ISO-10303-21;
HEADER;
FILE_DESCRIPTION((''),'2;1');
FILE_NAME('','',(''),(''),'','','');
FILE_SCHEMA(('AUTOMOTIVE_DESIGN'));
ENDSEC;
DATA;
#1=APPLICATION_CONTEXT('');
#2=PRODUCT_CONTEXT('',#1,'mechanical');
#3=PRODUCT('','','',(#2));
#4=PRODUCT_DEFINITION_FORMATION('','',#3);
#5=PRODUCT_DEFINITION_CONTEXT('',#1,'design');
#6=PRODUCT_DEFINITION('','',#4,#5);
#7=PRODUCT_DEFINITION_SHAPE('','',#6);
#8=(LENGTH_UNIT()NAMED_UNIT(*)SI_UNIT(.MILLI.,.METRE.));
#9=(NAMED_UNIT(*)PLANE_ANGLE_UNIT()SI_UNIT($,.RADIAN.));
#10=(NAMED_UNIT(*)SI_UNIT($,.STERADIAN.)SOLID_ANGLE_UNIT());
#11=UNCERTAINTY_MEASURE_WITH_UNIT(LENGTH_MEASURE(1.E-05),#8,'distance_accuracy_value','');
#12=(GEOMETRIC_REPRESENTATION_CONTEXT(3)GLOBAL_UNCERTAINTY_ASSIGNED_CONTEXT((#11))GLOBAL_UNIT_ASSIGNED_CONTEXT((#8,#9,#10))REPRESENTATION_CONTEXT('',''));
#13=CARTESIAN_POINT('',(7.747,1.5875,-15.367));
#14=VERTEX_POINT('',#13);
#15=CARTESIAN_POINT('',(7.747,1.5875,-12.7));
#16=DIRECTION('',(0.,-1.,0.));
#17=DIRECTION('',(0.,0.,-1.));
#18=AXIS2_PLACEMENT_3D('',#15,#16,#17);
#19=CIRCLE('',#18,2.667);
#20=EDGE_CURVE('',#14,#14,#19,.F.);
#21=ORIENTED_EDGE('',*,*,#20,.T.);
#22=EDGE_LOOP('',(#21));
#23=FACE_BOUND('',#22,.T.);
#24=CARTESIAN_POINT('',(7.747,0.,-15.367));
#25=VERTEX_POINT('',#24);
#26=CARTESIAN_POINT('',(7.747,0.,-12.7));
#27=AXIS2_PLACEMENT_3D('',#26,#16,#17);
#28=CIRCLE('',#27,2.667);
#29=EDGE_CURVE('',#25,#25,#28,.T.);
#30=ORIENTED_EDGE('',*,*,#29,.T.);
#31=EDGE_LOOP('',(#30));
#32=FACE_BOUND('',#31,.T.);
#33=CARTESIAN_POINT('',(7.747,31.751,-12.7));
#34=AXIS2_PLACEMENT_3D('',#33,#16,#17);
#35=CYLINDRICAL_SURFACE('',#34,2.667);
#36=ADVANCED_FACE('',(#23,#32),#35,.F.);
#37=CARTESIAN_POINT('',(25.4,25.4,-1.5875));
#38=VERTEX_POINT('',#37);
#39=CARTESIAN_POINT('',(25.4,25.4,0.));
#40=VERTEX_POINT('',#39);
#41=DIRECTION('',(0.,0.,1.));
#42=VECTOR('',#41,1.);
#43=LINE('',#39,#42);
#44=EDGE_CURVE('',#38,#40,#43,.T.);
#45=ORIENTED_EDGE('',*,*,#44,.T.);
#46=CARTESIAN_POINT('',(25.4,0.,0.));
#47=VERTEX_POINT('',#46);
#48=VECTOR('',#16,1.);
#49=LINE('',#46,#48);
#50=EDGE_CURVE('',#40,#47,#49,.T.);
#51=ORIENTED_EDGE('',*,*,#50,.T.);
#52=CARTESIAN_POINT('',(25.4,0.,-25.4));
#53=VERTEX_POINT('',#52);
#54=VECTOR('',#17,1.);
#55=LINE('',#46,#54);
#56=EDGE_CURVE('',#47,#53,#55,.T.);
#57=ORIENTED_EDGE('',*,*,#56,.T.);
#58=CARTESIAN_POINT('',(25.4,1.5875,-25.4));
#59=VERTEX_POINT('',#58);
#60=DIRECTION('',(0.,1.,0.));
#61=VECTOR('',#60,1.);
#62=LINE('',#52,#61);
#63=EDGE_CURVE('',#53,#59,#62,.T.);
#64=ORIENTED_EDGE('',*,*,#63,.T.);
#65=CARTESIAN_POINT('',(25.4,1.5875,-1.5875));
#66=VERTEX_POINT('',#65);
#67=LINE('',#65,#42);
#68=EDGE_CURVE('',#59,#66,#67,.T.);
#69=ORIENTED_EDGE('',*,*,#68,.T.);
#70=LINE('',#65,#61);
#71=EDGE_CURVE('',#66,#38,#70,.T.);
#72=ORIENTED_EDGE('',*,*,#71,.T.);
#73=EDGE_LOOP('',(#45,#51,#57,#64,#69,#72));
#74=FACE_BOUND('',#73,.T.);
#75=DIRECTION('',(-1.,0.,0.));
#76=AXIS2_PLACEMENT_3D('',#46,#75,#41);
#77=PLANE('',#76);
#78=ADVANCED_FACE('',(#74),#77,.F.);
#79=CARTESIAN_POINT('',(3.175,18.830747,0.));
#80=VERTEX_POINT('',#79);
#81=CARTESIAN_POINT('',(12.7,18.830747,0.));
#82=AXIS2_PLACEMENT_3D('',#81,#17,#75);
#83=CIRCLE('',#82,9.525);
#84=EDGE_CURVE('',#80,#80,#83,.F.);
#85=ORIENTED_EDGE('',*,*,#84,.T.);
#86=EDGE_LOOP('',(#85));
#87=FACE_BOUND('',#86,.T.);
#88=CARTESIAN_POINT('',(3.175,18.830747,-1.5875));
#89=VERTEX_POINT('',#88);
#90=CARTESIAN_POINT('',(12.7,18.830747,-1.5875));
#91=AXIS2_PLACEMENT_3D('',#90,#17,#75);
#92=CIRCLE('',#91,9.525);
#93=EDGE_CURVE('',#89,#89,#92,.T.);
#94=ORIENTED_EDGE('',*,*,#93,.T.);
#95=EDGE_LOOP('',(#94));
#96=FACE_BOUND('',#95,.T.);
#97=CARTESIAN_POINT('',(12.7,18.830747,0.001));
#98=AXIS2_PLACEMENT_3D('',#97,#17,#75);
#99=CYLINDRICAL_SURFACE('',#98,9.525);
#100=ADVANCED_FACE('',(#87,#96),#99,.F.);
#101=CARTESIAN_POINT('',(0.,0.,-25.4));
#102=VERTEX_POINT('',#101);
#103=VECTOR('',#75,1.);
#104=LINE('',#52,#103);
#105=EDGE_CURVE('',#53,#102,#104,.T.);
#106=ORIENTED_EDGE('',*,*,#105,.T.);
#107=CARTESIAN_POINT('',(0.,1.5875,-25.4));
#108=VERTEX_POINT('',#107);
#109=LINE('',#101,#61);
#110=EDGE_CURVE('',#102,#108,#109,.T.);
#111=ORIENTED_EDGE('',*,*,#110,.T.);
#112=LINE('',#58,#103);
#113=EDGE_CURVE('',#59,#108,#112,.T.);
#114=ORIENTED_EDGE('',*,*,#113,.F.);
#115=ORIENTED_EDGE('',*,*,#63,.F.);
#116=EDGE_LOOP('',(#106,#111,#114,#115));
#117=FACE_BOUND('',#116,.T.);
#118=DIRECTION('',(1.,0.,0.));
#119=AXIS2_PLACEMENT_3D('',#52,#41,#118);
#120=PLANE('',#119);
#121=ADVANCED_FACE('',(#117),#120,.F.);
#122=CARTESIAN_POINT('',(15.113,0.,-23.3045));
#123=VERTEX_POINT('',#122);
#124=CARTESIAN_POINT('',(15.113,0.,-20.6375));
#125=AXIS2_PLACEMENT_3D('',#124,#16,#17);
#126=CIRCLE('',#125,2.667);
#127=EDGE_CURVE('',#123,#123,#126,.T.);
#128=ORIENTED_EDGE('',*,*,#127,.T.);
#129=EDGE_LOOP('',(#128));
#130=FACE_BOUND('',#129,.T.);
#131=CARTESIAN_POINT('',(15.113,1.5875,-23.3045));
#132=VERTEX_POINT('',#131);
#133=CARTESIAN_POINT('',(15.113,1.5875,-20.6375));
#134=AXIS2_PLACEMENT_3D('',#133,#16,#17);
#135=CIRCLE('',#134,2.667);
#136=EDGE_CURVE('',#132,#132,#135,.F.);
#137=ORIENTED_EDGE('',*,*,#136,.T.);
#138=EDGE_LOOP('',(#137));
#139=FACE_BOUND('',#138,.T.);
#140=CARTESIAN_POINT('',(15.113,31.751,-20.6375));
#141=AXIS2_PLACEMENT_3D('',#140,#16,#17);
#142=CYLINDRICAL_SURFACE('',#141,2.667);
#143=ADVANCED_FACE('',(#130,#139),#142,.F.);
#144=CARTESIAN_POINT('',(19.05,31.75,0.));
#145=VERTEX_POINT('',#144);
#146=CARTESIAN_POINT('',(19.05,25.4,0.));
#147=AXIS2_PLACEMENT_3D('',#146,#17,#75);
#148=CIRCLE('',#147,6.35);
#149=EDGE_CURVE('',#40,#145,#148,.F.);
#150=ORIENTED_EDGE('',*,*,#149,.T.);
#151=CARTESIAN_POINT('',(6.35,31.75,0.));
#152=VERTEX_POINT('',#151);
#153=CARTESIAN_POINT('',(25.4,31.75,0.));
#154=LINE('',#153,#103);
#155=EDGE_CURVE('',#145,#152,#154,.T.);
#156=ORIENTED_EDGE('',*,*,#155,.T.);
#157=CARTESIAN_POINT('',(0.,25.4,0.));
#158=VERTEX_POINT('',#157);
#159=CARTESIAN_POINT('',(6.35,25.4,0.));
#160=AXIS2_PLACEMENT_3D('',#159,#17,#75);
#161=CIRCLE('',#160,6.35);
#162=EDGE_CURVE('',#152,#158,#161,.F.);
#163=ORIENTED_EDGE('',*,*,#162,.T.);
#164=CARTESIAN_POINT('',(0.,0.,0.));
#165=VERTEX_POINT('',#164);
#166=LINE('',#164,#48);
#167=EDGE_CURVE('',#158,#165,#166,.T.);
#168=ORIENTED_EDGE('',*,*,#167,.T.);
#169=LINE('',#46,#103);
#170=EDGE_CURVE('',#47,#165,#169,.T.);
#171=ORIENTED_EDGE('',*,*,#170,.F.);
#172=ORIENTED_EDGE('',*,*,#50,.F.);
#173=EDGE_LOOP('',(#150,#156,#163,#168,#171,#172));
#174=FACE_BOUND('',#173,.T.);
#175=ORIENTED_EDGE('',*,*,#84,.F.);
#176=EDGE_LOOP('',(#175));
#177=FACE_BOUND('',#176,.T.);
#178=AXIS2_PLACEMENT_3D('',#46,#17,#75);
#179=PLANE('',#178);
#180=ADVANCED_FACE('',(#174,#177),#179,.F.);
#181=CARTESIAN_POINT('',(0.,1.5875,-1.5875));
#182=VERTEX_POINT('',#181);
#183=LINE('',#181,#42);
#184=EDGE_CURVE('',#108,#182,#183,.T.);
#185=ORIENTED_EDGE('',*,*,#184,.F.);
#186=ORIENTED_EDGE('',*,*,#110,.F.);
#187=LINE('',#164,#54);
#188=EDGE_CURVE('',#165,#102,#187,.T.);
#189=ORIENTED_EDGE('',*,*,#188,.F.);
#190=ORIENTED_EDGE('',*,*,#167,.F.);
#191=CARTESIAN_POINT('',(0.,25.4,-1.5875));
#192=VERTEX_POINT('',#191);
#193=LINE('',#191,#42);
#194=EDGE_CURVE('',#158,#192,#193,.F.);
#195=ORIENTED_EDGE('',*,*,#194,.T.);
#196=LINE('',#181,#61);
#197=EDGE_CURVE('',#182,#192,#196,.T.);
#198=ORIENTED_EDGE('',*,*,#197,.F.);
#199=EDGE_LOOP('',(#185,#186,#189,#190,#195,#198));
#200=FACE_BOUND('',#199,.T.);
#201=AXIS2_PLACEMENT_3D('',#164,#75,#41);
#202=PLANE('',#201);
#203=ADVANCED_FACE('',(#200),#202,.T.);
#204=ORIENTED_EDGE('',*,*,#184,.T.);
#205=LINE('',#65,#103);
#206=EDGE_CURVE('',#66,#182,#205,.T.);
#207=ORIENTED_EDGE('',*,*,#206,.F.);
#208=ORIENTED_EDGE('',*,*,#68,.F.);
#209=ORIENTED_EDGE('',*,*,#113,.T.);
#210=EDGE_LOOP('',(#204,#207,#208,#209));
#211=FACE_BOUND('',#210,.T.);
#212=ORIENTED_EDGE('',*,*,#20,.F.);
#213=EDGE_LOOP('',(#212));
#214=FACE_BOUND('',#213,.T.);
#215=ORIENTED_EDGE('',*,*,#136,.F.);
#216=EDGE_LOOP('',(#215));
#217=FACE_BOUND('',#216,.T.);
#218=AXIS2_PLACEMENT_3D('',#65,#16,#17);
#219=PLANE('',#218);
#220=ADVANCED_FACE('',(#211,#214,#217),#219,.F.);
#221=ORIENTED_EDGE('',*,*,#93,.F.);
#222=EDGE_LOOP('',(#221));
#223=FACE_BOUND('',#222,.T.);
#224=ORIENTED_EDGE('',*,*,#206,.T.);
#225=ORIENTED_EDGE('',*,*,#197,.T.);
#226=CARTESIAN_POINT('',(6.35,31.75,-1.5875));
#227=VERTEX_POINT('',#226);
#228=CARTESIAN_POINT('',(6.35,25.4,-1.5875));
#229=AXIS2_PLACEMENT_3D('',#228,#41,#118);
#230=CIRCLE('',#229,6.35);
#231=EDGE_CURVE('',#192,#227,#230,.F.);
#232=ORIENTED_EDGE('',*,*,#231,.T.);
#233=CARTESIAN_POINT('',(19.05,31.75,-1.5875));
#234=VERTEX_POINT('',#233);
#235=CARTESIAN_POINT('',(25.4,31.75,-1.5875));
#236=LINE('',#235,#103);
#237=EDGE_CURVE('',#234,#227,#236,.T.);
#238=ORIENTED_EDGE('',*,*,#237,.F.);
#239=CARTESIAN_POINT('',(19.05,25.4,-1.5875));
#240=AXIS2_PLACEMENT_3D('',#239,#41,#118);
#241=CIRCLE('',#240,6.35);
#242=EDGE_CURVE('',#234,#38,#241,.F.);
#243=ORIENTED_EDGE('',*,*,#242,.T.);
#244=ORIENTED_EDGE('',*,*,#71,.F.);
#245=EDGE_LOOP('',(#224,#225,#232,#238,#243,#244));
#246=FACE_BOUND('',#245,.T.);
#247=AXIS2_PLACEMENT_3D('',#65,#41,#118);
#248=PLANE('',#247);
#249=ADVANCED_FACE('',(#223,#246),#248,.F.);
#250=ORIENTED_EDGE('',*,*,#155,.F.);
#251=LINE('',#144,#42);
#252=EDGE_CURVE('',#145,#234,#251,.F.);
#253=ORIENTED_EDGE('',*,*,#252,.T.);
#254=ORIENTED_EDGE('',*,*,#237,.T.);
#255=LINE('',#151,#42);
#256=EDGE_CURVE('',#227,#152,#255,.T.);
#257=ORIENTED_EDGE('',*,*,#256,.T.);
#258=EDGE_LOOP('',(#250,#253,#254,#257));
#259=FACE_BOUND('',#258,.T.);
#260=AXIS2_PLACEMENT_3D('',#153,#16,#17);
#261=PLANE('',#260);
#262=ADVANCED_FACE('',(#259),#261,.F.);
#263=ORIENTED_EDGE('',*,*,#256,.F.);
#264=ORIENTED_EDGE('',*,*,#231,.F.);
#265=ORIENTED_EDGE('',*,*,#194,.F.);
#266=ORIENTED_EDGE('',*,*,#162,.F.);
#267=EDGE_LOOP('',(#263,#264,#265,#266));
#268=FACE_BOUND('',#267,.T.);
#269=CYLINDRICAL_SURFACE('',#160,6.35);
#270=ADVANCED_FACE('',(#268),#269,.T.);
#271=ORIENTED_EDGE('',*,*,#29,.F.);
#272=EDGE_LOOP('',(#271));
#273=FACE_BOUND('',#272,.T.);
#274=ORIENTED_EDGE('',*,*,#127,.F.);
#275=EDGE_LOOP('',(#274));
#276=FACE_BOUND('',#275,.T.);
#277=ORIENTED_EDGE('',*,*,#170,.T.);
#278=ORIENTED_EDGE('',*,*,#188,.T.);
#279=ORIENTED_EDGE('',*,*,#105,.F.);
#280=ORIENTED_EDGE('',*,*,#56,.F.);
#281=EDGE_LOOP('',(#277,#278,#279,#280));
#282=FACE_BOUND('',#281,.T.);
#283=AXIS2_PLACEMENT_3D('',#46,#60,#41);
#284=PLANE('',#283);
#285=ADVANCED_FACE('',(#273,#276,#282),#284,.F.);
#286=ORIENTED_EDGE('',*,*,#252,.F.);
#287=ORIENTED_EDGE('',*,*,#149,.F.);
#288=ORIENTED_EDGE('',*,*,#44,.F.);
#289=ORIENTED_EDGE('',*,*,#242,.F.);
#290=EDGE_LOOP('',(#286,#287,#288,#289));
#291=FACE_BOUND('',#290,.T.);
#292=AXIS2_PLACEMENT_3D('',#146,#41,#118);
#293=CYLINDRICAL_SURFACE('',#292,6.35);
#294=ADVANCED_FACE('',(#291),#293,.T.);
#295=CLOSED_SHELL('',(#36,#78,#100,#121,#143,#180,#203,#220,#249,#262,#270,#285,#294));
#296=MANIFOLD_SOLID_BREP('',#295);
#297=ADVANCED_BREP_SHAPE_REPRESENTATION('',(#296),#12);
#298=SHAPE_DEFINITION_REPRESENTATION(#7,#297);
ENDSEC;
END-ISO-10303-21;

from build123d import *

# Parameters (mm, degrees)
BOSS_EXTRUDE1_DEPTH = 25.4
CUT_EXTRUDE1_REACH  = 3.587
SKETCH2_R           = 9.525
FILLET1_R           = 6.35
CUT_EXTRUDE2_REACH  = 33.75
SKETCH3_R           = 2.667


with BuildPart() as part:
    # Sketch1 → Boss-Extrude1 (new body)
    with BuildSketch(Plane(origin=(0, 0, 0), x_dir=(0, 0, -1), z_dir=(1, 0, 0))):
        Polygon((1.5875, 1.5875), (25.4, 1.5875), (25.4, 0), (0, 0), (0, 31.75), (1.5875, 31.75), align=None)
    extrude(amount=BOSS_EXTRUDE1_DEPTH)

    # Sketch2 → Cut-Extrude1 (cut, up to next)
    with BuildSketch(Plane(origin=(0, 0, -1.5875), x_dir=(-1, 0, 0), z_dir=(0, 0, -1)), mode=Mode.PRIVATE) as cut_extrude1_sk1:
        with Locations((-12.7, 18.830747356)):
            Circle(SKETCH2_R)
    cut_extrude1_tool1 = extrude(cut_extrude1_sk1.sketch, amount=-CUT_EXTRUDE1_REACH, mode=Mode.PRIVATE) & part.part
    add(cut_extrude1_tool1.solids().sort_by_distance((12.7, 18.830747, -1.5875))[0], mode=Mode.SUBTRACT)

    # Fillet1
    fillet1_edges = [part.edges().sort_by_distance(p)[0] for p in [
        (25.4, 31.75, -0.79375),
        (0, 31.75, -0.79375),
    ]]
    fillet(fillet1_edges, radius=FILLET1_R)

    # Sketch3 → Cut-Extrude2 (cut, up to next)
    with BuildSketch(Plane.XZ, mode=Mode.PRIVATE) as cut_extrude2_sk1:
        with Locations((15.113, -20.6375)):
            Circle(SKETCH3_R)
    cut_extrude2_tool1 = extrude(cut_extrude2_sk1.sketch, amount=-CUT_EXTRUDE2_REACH, mode=Mode.PRIVATE) & part.part
    add(cut_extrude2_tool1.solids().sort_by_distance((15.113, 0, -20.6375))[0], mode=Mode.SUBTRACT)
    # Sketch3 → Cut-Extrude2 (cut, up to next)
    with BuildSketch(Plane.XZ, mode=Mode.PRIVATE) as cut_extrude2_sk2:
        with Locations((7.747, -12.7)):
            Circle(SKETCH3_R)
    cut_extrude2_tool2 = extrude(cut_extrude2_sk2.sketch, amount=-CUT_EXTRUDE2_REACH, mode=Mode.PRIVATE) & part.part
    add(cut_extrude2_tool2.solids().sort_by_distance((7.747, 0, -12.7))[0], mode=Mode.SUBTRACT)


solid = part.part
